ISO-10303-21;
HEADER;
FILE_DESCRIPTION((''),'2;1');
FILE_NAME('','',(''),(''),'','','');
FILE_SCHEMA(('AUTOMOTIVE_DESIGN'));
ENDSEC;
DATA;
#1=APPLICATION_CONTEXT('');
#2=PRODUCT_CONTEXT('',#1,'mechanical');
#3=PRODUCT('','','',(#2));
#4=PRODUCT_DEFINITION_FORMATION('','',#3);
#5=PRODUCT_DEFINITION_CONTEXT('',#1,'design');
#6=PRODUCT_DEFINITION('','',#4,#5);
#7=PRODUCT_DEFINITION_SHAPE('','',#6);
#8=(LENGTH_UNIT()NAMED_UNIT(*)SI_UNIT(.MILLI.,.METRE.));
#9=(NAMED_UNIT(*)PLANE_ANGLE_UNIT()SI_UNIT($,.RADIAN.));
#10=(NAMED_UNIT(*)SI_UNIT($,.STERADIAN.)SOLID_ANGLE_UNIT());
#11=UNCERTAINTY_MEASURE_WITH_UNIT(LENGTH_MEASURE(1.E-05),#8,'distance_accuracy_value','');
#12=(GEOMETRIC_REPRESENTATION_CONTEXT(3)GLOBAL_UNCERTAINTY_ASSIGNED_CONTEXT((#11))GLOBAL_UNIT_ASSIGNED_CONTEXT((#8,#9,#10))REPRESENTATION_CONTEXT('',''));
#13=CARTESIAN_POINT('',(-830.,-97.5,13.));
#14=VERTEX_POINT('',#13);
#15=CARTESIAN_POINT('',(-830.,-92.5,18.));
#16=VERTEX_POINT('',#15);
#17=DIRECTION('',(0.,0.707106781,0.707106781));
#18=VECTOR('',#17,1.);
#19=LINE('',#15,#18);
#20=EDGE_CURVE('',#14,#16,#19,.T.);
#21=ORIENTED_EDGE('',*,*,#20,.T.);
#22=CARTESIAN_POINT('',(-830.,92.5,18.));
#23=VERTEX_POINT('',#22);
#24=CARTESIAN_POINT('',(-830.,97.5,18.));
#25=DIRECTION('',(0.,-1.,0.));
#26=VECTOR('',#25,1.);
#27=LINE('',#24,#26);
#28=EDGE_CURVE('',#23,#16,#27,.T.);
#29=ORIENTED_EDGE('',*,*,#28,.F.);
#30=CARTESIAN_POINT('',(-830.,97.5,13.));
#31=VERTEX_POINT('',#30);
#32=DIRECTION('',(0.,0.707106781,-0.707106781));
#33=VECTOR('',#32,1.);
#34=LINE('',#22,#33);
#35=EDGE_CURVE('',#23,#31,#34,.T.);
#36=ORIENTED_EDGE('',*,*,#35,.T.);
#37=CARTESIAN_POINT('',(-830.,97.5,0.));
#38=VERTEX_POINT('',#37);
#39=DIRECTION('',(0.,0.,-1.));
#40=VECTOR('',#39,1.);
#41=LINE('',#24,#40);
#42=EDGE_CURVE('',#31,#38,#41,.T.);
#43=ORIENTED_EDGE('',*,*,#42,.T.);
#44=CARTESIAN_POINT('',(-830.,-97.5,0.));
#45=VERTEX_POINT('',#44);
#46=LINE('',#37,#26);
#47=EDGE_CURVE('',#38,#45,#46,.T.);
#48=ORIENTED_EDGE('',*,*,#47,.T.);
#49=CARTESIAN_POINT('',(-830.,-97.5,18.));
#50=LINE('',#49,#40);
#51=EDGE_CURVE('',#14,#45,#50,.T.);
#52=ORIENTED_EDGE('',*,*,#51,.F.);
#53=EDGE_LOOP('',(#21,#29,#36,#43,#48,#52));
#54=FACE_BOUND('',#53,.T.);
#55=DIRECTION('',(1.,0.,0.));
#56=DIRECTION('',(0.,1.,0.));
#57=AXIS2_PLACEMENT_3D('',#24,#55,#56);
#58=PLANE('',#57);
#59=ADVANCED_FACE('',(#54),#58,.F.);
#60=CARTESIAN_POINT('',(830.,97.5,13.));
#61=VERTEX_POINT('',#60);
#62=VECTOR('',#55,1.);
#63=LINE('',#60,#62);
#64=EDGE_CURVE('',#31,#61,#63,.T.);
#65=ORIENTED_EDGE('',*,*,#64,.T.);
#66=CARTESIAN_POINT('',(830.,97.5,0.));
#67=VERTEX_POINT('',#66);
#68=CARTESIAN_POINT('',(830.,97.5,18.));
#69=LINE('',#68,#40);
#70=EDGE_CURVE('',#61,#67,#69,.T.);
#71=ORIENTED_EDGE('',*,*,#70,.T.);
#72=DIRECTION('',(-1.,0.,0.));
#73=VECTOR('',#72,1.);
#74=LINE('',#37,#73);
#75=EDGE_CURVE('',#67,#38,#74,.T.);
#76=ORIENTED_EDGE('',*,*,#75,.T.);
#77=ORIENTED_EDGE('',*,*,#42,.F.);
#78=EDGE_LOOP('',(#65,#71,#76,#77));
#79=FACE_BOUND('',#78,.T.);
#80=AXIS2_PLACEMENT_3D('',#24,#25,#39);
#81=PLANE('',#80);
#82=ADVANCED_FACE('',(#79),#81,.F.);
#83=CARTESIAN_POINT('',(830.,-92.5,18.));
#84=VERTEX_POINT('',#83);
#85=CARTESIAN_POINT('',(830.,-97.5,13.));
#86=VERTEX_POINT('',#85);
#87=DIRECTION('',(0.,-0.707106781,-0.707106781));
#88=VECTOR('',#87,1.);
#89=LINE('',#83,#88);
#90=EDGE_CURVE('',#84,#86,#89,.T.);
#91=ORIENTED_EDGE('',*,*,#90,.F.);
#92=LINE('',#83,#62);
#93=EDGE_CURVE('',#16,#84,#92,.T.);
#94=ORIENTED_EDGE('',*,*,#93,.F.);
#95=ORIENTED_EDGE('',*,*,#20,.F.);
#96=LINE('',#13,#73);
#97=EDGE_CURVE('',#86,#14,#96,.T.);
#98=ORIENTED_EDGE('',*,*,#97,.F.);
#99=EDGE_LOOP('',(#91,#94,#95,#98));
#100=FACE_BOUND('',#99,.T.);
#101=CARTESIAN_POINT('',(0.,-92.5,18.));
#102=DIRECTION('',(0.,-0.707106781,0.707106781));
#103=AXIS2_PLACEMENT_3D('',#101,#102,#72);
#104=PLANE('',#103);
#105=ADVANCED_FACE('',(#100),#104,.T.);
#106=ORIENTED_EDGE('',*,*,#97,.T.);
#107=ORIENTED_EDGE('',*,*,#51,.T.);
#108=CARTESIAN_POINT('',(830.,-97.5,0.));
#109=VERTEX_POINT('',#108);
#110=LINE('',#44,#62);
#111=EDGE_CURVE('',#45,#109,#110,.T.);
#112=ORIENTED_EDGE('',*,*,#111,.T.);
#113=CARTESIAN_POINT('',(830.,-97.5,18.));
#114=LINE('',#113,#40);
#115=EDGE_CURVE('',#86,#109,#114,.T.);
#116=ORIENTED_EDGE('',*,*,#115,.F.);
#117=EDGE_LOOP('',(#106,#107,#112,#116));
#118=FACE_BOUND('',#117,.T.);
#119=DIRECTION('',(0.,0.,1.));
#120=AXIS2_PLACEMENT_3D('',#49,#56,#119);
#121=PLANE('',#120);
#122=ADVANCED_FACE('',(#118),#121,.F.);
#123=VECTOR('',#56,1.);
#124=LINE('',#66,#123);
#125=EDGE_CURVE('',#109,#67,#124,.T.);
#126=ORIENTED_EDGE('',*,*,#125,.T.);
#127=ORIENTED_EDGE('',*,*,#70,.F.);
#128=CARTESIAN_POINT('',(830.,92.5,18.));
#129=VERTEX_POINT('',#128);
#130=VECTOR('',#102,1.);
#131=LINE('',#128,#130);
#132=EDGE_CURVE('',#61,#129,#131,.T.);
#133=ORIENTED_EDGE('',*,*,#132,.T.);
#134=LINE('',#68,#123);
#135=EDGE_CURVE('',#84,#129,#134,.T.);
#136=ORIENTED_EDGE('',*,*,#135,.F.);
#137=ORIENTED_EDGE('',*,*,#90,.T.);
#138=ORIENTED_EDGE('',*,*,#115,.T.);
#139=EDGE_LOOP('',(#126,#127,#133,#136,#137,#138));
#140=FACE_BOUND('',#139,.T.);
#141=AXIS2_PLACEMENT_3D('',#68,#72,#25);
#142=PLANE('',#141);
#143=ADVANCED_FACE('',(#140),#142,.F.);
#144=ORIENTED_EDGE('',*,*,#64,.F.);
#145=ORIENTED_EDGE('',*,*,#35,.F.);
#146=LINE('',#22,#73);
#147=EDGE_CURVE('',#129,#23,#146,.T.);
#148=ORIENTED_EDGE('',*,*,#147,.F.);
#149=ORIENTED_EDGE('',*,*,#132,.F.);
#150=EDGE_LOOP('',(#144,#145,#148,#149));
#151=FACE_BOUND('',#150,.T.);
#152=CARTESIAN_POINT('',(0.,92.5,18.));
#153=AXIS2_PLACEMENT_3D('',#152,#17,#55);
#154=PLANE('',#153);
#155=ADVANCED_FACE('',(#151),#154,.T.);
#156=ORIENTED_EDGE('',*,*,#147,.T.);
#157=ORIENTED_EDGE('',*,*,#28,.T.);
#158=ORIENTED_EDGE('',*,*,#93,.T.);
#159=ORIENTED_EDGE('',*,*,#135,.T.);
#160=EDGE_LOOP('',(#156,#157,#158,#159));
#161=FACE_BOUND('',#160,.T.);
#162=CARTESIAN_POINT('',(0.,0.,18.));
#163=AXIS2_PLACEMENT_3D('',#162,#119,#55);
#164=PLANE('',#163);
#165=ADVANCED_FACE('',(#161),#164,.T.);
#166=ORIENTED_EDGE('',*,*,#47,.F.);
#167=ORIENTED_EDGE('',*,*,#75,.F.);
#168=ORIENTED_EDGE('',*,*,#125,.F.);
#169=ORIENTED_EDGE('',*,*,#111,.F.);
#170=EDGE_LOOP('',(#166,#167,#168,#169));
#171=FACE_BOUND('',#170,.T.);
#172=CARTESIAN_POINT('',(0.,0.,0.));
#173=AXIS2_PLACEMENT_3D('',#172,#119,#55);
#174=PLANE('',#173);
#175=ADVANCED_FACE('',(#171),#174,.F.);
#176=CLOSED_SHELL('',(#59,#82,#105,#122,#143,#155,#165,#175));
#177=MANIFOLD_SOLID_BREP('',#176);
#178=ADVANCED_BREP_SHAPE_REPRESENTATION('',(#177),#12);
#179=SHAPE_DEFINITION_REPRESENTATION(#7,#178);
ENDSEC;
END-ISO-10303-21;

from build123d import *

# Parameters (mm, degrees)
SKETCH_1_W      = 1660
SKETCH_1_H      = 195
EXTRUDE_1_DEPTH = 18
CHAMFER_1_SIZE  = 5


with BuildPart() as part:
    # 草图1 → 凸台-拉伸1 (new body)
    with BuildSketch(Plane.XY):
        Rectangle(SKETCH_1_W, SKETCH_1_H)
    extrude(amount=EXTRUDE_1_DEPTH)

    # 倒角1
    chamfer_1_edges = [part.edges().sort_by_distance(p)[0] for p in [
        (0, -97.5, 18),
        (0, 97.5, 18),
    ]]
    chamfer(chamfer_1_edges, length=CHAMFER_1_SIZE)


solid = part.part
